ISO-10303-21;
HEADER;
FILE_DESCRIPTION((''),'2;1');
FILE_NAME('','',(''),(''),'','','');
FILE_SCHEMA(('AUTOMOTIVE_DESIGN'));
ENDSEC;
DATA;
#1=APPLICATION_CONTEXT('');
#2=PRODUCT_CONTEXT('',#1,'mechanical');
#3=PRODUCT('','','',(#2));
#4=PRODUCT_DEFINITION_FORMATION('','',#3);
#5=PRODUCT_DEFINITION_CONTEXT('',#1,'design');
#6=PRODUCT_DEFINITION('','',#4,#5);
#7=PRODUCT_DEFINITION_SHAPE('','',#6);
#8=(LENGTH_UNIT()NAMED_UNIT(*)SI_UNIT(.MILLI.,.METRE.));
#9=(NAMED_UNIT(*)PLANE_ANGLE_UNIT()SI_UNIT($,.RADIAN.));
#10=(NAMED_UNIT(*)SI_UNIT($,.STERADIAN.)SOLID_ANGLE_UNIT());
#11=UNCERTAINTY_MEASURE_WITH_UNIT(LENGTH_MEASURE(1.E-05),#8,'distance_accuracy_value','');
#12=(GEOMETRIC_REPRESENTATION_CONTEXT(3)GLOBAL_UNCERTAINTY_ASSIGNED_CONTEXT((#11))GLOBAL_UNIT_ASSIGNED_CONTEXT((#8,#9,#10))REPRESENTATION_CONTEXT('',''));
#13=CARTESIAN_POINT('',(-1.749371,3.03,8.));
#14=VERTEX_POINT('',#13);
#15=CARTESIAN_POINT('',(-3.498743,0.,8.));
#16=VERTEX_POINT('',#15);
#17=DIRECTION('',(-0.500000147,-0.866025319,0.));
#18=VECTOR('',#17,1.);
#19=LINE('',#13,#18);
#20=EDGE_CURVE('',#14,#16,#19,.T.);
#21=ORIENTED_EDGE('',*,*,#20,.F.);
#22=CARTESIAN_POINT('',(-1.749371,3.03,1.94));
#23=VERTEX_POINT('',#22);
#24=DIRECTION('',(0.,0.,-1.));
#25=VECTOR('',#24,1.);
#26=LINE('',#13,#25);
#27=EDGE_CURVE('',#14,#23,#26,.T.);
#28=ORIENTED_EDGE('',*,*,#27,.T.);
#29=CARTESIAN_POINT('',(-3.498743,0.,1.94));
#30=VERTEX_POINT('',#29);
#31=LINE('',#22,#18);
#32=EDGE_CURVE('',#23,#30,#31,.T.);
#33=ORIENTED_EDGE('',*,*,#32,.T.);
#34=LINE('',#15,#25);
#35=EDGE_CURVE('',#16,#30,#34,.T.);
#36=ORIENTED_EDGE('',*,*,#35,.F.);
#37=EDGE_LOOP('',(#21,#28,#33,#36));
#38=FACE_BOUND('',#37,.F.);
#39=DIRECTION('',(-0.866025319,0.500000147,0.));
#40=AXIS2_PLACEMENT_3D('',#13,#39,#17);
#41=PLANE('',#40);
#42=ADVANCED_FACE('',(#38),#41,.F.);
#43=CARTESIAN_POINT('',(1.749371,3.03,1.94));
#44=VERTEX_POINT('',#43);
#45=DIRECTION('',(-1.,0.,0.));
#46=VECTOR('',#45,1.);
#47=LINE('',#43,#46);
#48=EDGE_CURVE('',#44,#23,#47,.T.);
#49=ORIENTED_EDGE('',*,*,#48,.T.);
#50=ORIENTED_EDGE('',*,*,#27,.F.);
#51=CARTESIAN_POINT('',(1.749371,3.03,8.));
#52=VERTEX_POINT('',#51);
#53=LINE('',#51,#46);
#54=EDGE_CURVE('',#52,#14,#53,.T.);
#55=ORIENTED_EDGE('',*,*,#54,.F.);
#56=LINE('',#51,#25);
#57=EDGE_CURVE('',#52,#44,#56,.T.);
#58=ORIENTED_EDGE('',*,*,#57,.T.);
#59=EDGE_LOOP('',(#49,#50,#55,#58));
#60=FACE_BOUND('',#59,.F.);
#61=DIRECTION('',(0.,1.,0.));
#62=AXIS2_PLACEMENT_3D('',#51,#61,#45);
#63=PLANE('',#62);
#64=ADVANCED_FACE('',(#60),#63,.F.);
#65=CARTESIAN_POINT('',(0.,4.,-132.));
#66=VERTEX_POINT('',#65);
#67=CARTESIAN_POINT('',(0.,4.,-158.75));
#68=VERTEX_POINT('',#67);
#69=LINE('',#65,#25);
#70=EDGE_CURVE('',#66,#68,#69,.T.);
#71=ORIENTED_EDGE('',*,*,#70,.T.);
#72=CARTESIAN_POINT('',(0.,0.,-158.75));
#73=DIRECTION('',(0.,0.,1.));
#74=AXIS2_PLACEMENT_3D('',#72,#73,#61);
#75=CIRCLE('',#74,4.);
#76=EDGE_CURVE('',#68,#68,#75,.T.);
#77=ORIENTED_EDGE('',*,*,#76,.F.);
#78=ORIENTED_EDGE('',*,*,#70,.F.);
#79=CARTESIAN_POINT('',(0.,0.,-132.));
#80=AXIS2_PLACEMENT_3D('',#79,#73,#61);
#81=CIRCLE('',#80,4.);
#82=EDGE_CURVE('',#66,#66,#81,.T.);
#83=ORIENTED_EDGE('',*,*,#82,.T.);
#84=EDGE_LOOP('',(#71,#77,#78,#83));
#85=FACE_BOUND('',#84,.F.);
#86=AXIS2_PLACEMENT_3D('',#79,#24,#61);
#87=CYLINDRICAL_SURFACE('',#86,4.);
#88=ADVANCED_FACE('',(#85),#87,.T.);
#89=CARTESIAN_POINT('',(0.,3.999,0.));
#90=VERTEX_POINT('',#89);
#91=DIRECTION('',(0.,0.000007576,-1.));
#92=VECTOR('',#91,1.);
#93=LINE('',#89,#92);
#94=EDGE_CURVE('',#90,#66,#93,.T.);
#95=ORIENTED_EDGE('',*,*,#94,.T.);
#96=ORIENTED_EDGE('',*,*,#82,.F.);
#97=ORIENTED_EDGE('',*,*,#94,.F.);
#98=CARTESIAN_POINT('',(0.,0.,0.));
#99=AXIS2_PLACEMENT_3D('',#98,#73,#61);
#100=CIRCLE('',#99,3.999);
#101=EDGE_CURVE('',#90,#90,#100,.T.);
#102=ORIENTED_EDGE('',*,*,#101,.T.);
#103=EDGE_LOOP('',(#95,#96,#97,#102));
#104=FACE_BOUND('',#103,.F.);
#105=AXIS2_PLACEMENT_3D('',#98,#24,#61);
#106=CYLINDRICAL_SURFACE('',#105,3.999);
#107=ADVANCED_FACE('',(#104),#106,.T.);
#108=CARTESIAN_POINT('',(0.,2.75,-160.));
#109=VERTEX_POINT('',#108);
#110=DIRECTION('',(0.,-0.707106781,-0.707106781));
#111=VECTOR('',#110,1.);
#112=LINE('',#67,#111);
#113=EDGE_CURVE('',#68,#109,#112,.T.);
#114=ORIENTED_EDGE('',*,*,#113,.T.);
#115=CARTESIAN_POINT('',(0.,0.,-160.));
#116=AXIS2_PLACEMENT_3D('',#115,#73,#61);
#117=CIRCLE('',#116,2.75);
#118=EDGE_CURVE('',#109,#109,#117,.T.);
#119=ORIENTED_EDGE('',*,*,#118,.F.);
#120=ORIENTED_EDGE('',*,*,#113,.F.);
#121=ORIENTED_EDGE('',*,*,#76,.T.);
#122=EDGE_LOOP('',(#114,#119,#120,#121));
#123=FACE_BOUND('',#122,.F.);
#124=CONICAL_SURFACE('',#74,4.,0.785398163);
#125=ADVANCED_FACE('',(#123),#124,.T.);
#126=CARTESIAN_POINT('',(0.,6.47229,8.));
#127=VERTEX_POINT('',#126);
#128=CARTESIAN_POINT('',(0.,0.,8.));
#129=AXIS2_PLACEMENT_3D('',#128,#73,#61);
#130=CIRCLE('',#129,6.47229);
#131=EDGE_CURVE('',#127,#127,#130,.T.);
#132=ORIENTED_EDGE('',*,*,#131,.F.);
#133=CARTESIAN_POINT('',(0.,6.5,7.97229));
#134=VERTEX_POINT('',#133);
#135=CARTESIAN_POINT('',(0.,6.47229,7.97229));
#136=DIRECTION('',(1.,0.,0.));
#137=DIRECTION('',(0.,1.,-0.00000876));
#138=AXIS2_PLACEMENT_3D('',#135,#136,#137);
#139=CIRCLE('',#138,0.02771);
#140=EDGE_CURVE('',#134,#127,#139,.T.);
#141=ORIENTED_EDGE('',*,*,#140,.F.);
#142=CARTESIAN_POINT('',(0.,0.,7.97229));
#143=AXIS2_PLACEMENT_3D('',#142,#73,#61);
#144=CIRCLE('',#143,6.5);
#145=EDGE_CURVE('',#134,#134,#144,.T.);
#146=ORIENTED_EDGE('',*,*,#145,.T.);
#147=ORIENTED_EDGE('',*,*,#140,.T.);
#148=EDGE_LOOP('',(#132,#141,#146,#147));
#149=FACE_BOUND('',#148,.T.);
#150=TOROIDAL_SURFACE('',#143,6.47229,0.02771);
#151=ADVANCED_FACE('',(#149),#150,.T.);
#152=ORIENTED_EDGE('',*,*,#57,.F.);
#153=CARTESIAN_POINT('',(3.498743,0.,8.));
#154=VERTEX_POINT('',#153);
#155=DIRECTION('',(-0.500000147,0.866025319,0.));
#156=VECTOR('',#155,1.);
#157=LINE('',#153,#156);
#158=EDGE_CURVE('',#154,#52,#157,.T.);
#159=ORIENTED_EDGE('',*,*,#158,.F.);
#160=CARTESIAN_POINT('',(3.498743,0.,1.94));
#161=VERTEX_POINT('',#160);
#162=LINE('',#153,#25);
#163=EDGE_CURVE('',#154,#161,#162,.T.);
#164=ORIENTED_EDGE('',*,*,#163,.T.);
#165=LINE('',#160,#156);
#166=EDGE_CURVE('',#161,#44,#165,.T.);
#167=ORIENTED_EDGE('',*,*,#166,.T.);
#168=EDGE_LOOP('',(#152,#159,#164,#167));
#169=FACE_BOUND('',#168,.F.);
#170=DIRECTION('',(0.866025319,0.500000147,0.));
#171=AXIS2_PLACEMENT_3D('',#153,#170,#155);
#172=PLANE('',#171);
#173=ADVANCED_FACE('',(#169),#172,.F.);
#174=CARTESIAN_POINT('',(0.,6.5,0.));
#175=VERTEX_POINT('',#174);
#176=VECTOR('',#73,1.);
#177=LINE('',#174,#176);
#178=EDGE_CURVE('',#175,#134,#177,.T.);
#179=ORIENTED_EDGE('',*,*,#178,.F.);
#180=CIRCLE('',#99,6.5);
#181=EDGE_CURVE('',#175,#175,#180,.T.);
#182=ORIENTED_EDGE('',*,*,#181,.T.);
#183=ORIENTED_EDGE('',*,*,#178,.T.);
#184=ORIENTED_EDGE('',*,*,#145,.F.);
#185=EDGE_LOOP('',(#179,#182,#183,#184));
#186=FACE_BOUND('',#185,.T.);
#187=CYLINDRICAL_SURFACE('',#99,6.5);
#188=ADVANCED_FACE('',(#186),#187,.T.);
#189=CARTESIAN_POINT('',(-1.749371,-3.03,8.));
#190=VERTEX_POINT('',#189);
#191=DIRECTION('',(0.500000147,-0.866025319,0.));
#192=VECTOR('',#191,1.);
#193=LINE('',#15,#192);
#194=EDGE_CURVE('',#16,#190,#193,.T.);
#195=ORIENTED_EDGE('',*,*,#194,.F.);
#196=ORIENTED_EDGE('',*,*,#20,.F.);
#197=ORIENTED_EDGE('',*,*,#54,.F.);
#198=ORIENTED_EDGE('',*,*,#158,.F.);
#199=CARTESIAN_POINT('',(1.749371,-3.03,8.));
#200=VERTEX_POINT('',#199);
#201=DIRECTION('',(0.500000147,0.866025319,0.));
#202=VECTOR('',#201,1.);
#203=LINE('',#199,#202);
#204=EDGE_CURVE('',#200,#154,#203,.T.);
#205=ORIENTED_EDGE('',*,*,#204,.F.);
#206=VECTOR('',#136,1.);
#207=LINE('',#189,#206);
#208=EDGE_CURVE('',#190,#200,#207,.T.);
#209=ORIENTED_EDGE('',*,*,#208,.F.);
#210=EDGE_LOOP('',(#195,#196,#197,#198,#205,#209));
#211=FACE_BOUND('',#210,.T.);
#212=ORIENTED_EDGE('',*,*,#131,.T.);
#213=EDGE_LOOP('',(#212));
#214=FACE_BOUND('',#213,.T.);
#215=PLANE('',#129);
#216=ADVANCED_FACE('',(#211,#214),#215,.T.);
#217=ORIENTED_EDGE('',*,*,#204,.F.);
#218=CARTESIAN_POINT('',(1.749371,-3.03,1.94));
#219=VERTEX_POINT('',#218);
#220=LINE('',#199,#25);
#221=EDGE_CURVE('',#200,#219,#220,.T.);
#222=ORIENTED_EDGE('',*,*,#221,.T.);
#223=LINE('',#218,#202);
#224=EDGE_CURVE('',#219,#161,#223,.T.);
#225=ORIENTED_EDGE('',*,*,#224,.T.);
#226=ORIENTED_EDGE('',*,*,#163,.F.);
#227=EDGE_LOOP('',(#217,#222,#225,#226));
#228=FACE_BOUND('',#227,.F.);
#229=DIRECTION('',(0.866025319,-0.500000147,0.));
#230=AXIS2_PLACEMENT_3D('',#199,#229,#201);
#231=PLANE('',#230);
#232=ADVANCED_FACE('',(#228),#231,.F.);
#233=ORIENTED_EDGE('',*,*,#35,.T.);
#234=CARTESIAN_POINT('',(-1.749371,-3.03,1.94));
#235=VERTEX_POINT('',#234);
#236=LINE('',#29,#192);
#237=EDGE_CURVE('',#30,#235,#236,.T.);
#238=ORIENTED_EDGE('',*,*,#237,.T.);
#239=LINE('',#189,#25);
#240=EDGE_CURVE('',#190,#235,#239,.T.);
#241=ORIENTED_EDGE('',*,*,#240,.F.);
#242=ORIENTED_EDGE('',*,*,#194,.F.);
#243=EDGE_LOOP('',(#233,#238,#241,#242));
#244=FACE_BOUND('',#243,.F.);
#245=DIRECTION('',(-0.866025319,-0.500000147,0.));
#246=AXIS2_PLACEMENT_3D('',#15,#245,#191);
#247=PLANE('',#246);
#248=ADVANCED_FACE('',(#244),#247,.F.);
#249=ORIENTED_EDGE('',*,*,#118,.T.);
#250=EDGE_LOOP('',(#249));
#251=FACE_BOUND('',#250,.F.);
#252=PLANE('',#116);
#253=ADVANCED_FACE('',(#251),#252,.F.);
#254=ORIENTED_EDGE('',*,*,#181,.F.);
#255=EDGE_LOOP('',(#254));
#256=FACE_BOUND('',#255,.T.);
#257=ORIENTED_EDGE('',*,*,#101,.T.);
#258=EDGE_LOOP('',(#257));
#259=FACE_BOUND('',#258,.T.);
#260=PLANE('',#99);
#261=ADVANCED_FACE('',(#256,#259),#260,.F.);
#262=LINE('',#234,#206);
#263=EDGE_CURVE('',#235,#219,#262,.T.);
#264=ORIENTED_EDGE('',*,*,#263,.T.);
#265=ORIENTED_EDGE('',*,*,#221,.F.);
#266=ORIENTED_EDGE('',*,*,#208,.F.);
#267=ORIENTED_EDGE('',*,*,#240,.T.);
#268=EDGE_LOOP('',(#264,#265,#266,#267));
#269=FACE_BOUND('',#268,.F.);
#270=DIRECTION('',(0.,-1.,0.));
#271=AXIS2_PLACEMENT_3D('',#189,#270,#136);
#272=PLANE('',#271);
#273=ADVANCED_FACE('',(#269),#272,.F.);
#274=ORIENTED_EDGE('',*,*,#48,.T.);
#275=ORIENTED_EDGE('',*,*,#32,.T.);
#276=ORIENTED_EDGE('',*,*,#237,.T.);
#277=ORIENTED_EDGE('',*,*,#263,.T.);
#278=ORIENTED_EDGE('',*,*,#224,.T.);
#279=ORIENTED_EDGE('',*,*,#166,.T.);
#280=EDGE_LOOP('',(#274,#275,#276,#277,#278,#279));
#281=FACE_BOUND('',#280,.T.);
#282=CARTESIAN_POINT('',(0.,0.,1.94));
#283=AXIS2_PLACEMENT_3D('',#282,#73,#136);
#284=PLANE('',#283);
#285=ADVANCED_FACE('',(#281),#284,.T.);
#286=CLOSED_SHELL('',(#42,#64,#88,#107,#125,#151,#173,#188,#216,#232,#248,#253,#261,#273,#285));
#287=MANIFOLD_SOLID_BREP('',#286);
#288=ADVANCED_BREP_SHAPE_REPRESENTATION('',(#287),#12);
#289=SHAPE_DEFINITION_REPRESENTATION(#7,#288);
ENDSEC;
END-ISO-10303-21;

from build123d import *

# Parameters (mm, degrees)
POCKET_DEPTH = 6.06


with BuildPart() as part:
    # Sketch → Revolve (revolve)
    with BuildSketch(Plane.YZ):
        with BuildLine():
            Line((3.999, 0), (6.5, 0))
            Line((6.5, 0), (6.5, 7.97229))
            ThreePointArc((6.5, 7.97229), (6.491884, 7.991884), (6.47229, 8))
            Line((6.47229, 8), (0, 8))
            Line((0, -160), (0, 8))
            Line((2.75, -160), (0, -160))
            Line((4, -158.75), (2.75, -160))
            Line((4, -132), (4, -158.75))
            Line((3.999, 0), (4, -132))
        make_face()
    revolve(axis=Axis((0, 0, 0), (0, 0, 1)))

    # Sketch001 → Pocket (cut)
    with BuildSketch(Plane.XY.offset(8)):
        Polygon((3.498743, 0), (1.749371, 3.03), (-1.749371, 3.03), (-3.498743, 0), (-1.749371, -3.03), (1.749371, -3.03), align=None)
    extrude(amount=-POCKET_DEPTH, mode=Mode.SUBTRACT)


solid = part.part
